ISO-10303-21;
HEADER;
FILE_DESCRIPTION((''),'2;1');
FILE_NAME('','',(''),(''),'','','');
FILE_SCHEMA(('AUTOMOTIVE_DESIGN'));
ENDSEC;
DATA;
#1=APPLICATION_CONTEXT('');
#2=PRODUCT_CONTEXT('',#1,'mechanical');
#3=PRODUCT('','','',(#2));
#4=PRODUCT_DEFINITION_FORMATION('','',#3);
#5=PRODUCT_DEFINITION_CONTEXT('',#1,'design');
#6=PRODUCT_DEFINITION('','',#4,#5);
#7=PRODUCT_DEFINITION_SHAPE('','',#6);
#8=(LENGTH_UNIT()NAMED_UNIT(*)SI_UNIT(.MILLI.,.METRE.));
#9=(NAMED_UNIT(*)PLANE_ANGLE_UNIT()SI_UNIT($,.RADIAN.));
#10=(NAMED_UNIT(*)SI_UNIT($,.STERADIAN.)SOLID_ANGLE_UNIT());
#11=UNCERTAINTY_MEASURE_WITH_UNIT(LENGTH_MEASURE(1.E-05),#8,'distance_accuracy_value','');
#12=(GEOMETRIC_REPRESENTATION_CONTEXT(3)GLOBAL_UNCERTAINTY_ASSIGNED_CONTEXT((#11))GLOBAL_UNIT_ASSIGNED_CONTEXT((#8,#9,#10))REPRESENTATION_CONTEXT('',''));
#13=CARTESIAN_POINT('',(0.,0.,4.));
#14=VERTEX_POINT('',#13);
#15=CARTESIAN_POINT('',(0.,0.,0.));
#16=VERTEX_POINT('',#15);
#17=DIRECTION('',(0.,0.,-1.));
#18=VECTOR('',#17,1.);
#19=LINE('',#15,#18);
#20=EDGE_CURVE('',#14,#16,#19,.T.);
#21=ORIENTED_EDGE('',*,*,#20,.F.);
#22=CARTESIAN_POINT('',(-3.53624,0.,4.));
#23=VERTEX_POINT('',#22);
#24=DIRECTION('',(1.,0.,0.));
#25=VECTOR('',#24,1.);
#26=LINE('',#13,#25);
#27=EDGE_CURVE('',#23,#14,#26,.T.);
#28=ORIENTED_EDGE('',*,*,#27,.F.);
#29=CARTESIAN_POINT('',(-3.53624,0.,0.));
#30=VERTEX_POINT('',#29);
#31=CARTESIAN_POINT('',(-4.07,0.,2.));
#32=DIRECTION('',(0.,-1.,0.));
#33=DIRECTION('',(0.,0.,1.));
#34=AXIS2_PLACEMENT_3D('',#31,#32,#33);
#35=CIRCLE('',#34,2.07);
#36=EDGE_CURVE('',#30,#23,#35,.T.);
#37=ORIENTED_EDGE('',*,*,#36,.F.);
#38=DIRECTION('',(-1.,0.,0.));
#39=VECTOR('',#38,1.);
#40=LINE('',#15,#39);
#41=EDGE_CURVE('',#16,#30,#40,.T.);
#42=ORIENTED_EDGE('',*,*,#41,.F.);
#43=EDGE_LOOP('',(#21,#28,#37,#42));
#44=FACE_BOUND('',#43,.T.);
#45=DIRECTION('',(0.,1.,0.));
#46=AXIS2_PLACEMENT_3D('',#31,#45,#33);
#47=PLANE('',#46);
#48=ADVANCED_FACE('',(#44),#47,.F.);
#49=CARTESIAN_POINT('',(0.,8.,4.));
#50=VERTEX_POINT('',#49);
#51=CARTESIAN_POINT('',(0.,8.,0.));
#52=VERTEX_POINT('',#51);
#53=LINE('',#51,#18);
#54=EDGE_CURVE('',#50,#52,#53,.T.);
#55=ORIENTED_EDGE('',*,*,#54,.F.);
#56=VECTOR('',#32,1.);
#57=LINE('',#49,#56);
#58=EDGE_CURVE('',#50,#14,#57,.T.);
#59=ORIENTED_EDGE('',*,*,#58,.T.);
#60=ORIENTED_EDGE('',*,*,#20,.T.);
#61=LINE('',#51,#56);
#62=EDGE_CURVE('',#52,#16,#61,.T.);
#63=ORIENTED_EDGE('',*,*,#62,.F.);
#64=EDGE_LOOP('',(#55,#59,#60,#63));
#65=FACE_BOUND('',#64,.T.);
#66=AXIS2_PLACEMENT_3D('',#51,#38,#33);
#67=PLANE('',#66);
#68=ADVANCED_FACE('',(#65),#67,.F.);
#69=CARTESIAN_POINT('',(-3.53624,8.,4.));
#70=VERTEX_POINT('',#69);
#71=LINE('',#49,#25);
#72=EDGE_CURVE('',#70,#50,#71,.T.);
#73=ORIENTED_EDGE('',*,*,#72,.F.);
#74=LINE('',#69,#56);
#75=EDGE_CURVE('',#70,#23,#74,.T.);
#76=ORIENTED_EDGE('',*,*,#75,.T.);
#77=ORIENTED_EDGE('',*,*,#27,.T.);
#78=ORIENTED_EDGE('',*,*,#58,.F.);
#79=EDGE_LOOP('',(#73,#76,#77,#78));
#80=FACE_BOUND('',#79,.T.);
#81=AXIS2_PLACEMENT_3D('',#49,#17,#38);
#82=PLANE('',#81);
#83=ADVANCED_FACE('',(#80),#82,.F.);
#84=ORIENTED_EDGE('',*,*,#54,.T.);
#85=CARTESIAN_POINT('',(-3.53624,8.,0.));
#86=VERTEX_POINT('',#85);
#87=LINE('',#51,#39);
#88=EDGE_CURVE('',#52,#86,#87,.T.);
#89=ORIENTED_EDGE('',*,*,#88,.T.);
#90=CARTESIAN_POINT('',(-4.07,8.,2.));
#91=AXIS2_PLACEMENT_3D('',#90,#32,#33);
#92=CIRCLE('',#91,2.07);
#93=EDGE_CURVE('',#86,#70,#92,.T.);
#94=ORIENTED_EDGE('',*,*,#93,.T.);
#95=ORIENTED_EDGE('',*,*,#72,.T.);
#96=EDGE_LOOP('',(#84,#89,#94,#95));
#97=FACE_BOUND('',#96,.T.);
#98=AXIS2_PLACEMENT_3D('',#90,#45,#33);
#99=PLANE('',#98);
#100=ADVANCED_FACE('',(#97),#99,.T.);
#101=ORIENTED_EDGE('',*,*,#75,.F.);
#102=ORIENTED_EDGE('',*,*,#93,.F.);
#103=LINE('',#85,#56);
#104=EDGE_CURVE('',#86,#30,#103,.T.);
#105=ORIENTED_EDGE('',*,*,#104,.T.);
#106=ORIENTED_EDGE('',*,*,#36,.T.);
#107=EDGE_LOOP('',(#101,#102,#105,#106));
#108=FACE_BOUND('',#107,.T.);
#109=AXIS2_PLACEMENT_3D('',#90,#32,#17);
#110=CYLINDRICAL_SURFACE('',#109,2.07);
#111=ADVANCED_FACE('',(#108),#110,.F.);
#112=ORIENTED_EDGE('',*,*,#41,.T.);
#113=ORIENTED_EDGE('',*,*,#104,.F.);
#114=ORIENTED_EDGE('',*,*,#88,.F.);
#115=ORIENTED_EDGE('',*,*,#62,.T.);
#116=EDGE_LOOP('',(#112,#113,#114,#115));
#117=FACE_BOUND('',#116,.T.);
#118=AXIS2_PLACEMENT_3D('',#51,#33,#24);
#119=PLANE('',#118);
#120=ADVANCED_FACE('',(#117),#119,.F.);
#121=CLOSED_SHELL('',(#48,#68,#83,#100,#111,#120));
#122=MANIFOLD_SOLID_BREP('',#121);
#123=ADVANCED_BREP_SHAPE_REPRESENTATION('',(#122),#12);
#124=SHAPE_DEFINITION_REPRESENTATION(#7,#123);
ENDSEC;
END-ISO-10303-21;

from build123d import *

# Parameters (mm, degrees)
EXTRUDE_1_DEPTH = 8


with BuildPart() as part:
    # 草图1 → 凸台-拉伸1 (new body)
    with BuildSketch(Plane(origin=(0, 0, 0), x_dir=(1, 0, 0), z_dir=(0, 1, 0))):
        with BuildLine():
            Line((0, 0), (0, -4))
            Line((0, -4), (-3.536239754, -4))
            ThreePointArc((-3.536239754, -4), (-2, -2), (-3.536239754, 0))
            Line((-3.536239754, 0), (0, 0))
        make_face()
    extrude(amount=EXTRUDE_1_DEPTH)


solid = part.part
